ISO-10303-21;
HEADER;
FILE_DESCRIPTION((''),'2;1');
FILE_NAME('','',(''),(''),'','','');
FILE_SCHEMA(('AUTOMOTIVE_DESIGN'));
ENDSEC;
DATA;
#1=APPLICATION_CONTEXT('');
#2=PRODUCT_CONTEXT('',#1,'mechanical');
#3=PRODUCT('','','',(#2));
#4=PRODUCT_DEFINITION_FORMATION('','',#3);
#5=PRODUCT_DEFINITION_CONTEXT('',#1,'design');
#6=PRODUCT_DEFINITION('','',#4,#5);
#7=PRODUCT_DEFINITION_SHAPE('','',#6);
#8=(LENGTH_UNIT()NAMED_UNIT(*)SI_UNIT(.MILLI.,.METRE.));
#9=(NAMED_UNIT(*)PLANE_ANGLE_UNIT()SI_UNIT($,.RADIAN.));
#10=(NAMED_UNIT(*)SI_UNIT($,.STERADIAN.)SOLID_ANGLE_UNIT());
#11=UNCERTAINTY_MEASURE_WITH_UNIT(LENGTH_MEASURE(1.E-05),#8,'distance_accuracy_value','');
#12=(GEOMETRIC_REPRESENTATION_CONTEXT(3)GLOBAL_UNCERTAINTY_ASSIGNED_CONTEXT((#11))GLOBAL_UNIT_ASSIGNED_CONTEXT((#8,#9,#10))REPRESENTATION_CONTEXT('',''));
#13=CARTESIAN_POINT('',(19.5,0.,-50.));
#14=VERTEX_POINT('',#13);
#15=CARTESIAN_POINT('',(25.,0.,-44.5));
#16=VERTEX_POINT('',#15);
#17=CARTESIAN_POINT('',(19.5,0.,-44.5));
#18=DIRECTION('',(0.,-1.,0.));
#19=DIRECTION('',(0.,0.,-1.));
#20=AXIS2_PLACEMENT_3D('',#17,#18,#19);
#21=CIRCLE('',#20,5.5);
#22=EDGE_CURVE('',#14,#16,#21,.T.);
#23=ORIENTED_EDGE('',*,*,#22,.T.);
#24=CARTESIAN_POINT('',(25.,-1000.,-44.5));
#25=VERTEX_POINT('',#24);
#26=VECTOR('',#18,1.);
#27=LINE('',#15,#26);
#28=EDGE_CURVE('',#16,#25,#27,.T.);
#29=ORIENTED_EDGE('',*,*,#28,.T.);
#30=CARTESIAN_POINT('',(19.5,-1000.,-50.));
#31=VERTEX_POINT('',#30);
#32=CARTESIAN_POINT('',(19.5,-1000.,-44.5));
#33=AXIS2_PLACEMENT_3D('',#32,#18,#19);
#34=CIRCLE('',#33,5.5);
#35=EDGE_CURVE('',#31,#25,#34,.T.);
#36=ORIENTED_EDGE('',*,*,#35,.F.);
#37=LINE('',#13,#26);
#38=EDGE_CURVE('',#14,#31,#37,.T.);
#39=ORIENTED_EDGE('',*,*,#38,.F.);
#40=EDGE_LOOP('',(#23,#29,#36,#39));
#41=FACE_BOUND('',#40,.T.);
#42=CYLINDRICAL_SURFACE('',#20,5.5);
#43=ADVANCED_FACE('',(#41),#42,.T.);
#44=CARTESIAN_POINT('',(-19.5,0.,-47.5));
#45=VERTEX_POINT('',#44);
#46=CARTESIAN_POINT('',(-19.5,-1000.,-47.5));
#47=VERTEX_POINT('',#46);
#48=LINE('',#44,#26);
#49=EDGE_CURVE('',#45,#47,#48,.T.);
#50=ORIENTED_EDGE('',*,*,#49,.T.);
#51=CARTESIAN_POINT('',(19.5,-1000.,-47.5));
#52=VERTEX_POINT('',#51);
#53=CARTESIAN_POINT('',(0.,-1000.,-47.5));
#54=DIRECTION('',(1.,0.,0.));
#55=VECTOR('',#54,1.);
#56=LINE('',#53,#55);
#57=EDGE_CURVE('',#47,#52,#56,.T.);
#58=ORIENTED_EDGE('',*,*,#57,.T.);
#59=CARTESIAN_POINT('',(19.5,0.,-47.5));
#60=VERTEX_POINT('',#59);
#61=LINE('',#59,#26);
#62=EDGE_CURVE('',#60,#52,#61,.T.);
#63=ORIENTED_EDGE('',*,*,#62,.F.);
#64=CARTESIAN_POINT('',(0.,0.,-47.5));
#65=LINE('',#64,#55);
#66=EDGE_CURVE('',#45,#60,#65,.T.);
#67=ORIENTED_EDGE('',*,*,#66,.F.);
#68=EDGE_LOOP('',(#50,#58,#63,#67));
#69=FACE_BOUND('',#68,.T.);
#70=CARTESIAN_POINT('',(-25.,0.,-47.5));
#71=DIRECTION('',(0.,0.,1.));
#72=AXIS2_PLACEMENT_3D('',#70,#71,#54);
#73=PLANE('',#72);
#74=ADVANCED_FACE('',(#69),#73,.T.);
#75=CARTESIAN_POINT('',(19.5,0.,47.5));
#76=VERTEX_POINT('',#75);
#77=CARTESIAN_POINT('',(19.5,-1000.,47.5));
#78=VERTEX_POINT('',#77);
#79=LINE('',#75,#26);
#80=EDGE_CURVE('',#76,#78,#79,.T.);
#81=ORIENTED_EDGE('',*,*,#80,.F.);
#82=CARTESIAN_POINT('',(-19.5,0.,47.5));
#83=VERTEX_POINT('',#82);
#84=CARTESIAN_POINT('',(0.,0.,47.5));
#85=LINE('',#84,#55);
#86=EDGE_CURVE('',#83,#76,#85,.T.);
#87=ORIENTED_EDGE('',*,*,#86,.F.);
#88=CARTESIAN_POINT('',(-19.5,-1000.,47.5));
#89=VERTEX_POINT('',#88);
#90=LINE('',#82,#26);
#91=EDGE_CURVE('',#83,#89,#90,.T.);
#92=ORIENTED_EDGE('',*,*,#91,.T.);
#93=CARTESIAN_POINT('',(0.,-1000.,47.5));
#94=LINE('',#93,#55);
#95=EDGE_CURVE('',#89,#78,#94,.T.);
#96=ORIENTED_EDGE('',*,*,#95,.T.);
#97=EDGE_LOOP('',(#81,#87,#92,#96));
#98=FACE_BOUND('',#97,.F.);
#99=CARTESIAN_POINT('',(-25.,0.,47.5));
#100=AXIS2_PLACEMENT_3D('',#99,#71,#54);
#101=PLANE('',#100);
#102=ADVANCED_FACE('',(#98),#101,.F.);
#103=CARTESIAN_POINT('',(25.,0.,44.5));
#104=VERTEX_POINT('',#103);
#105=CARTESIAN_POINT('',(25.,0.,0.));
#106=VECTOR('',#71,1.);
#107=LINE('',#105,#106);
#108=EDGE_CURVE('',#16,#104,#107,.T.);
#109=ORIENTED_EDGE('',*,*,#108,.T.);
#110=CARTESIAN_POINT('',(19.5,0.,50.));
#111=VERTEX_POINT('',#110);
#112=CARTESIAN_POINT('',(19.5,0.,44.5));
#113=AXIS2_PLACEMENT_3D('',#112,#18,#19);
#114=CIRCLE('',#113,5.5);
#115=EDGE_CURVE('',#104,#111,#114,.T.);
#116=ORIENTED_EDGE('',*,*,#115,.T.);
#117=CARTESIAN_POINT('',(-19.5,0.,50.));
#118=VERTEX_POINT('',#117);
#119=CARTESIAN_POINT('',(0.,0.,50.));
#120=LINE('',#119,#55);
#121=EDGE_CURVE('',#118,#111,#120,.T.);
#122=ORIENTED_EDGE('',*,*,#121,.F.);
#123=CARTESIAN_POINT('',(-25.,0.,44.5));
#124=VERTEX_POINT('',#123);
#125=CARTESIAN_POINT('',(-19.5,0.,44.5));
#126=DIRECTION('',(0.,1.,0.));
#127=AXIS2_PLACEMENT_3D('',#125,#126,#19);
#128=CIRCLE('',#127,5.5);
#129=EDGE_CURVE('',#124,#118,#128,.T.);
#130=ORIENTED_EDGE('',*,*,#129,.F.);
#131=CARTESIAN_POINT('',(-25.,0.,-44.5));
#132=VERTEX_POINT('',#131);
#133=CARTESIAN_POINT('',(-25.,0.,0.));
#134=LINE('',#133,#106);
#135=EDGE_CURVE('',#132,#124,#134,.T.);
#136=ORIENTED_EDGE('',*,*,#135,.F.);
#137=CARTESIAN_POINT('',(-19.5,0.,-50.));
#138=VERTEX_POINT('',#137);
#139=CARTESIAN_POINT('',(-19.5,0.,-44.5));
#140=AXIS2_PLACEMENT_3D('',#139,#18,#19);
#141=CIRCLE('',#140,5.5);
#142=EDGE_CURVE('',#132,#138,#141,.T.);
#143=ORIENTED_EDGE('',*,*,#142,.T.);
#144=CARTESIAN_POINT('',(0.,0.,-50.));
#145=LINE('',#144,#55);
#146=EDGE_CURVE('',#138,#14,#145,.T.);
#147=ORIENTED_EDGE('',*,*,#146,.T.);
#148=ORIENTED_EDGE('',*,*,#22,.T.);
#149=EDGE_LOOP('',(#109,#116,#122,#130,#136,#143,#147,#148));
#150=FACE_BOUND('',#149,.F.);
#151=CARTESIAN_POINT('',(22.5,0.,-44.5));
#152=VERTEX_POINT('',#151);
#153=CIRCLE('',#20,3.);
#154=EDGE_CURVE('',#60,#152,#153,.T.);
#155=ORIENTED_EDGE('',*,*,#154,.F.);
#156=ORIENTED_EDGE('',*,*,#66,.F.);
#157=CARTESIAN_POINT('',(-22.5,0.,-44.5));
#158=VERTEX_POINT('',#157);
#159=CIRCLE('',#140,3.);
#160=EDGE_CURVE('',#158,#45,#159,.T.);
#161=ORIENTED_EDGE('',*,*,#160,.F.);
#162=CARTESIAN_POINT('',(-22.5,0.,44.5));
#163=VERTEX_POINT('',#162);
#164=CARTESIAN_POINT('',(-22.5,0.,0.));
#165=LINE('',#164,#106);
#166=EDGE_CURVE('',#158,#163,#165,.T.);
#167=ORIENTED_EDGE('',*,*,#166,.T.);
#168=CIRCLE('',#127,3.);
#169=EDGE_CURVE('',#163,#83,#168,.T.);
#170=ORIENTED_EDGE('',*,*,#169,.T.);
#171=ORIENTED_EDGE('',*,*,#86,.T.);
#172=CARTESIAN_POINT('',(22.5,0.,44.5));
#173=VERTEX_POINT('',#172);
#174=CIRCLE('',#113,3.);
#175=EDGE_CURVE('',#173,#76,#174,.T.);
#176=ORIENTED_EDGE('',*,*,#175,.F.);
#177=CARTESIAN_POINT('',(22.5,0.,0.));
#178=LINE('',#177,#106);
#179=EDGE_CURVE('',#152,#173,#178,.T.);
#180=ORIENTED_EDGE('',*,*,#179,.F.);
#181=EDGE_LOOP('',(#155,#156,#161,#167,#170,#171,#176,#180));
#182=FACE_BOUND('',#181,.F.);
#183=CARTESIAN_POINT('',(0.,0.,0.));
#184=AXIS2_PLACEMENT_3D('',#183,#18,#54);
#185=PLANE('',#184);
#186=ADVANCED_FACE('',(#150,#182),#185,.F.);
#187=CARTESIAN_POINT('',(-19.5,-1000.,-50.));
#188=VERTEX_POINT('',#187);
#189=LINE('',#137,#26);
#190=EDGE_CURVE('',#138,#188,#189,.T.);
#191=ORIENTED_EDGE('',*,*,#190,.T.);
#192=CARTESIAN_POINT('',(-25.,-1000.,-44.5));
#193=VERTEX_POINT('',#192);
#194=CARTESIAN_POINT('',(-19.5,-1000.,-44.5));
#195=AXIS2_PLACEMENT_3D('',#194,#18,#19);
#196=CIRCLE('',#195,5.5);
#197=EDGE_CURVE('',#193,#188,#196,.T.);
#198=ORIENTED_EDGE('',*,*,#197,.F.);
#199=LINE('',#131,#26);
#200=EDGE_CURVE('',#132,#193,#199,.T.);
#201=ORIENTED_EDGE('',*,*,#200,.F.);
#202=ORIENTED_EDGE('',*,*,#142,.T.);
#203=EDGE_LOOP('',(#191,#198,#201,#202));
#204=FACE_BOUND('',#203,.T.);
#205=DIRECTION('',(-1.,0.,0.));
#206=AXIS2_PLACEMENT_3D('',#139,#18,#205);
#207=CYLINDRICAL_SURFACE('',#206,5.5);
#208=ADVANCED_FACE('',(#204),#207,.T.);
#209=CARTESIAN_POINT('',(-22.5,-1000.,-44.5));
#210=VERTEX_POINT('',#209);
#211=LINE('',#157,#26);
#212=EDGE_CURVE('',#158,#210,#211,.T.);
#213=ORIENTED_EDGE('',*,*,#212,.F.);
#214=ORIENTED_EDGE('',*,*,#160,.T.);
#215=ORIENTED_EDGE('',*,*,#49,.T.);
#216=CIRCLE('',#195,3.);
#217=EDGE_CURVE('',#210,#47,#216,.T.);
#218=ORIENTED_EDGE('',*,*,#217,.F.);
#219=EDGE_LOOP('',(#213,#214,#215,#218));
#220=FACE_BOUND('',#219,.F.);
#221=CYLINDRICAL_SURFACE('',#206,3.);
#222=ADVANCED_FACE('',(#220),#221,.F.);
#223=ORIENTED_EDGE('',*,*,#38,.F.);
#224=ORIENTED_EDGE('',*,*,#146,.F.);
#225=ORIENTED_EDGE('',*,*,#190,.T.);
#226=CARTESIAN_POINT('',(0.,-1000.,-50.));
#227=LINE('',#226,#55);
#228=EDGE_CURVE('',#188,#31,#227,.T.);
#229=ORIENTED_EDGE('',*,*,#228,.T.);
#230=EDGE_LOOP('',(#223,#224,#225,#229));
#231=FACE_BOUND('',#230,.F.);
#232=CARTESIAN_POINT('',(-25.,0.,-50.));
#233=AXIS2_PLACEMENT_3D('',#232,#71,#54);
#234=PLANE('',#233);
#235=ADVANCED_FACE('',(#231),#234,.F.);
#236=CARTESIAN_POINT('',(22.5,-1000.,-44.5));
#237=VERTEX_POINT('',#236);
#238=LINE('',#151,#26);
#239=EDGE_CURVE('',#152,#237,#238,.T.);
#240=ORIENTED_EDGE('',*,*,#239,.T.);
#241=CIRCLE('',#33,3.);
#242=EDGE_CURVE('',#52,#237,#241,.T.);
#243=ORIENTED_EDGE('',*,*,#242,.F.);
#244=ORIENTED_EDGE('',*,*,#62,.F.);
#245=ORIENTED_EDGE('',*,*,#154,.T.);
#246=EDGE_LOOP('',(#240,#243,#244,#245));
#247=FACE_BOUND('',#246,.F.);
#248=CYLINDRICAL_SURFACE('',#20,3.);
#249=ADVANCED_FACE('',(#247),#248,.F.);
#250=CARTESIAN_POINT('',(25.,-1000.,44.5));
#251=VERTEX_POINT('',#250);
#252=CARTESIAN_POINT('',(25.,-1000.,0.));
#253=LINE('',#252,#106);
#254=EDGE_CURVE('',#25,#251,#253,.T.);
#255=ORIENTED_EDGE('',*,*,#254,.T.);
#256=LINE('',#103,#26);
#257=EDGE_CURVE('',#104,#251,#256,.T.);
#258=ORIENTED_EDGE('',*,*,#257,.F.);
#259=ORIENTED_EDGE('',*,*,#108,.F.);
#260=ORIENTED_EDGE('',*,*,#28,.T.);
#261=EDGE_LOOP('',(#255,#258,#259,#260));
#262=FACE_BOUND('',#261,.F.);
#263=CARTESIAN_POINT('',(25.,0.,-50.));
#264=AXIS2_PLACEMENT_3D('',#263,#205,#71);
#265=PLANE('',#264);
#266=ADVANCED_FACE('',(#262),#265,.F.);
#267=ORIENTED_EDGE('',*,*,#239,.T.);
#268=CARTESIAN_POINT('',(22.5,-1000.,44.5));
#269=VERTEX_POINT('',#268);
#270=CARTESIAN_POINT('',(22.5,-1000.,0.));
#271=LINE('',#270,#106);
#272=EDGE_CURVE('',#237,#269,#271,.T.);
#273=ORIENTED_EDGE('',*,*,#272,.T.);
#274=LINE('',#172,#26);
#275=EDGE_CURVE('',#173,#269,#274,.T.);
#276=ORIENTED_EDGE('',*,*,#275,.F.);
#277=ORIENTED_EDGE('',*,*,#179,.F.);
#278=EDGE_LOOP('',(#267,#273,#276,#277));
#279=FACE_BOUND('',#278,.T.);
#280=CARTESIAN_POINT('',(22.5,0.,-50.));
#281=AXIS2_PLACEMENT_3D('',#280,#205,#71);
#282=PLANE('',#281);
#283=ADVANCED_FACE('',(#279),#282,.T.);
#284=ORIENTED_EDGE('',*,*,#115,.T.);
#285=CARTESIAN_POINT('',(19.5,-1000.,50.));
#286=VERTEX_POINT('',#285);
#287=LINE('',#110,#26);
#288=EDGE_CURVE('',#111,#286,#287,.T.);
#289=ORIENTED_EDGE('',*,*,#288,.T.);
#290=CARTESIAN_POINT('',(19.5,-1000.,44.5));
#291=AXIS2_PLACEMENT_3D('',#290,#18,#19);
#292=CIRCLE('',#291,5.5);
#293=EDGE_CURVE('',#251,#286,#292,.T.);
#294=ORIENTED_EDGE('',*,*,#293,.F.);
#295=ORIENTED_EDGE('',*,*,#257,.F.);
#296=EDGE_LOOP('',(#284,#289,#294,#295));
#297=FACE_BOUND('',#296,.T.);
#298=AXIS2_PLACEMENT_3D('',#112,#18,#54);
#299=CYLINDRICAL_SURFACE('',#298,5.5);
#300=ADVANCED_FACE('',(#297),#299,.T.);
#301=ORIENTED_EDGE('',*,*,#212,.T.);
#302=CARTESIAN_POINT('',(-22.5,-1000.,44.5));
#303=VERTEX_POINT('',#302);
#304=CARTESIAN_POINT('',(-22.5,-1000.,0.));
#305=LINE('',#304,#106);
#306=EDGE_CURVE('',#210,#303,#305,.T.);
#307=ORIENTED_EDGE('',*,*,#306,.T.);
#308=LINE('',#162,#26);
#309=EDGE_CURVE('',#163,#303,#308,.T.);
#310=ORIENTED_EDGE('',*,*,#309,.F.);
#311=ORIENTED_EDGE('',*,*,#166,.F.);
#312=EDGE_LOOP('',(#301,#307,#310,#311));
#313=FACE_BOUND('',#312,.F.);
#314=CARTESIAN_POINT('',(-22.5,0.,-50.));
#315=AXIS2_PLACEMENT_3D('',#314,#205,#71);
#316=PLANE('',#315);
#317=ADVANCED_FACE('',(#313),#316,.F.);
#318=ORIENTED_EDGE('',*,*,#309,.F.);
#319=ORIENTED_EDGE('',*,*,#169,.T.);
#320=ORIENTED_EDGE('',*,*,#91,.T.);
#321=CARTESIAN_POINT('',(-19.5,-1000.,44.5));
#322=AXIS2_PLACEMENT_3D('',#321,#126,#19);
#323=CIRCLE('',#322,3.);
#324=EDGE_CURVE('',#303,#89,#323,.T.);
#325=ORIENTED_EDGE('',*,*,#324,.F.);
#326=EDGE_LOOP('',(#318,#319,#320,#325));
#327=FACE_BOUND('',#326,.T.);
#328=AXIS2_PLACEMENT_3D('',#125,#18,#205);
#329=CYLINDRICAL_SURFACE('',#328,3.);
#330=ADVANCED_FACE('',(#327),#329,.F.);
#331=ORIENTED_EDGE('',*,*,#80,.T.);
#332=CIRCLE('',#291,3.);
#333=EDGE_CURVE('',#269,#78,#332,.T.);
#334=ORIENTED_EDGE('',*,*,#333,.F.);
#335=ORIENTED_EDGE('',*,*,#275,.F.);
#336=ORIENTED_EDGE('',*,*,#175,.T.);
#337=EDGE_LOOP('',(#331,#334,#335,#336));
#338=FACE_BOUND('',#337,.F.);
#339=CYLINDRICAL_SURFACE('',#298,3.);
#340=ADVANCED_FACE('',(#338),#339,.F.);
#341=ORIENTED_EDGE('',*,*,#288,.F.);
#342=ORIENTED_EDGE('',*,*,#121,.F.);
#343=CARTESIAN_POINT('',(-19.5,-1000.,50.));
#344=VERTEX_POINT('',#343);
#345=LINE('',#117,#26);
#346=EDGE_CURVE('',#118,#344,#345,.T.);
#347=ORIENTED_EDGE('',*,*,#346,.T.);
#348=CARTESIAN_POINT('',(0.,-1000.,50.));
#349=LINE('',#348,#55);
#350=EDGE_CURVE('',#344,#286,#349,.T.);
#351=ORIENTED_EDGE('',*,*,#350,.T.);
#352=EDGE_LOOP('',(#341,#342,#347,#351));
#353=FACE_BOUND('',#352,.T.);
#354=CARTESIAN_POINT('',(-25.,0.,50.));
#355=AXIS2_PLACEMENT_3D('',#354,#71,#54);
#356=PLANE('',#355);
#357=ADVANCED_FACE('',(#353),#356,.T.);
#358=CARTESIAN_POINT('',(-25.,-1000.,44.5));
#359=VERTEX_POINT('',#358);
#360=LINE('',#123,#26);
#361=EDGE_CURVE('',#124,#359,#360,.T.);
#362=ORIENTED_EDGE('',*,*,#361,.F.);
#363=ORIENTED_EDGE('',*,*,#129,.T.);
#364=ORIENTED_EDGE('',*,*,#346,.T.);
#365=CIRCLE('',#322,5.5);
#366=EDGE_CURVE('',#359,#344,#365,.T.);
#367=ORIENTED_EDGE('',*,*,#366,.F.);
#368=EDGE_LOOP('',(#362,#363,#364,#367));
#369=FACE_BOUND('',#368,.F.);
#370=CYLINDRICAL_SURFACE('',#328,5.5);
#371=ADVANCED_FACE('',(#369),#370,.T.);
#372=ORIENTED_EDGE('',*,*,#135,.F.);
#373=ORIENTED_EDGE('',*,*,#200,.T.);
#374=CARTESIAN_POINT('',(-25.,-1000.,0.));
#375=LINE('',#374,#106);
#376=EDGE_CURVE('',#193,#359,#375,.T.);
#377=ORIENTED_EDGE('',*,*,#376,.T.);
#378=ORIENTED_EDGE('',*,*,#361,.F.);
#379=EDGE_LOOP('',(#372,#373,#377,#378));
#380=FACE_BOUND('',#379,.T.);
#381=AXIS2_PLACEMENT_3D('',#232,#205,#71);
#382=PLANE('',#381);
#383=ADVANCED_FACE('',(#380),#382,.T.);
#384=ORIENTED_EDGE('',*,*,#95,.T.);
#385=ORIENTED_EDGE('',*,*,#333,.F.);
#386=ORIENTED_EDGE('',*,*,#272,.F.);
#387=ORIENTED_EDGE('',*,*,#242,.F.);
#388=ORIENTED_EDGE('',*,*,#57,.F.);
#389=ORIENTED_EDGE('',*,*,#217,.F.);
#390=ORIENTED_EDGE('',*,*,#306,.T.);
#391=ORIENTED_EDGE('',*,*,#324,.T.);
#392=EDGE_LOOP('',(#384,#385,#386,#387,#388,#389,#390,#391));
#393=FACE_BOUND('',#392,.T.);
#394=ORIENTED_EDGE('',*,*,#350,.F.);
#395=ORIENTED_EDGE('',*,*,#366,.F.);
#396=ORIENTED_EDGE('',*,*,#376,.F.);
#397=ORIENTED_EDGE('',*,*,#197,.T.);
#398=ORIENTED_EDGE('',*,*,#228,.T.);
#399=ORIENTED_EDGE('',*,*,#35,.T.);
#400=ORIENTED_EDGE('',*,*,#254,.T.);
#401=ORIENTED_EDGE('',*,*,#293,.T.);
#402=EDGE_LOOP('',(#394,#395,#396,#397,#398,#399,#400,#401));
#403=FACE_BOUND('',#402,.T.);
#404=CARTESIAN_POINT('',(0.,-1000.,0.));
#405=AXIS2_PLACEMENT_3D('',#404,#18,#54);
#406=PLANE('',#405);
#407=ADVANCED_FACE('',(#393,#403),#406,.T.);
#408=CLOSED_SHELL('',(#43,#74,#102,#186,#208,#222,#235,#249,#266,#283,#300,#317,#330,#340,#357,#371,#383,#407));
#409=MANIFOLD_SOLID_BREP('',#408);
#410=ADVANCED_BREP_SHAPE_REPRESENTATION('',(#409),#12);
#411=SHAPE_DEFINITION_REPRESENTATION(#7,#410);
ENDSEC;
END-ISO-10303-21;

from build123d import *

# Parameters (mm, degrees)
F0_W     = 50
F0_H     = 100
F1_DEPTH = 1000
F2_R     = 5.5
F3_T     = -2.5


with BuildPart() as f1:
    # F0 (on Front) → F1 (new body)
    with BuildSketch(Plane.XZ):
        Rectangle(F0_W, F0_H)
    extrude(amount=F1_DEPTH)

    # F2
    f2_edges = [f1.edges().sort_by_distance(p)[0] for p in [
        (-25, -500, 50),
        (25, -500, 50),
        (25, -500, -50),
        (-25, -500, -50),
    ]]
    fillet(f2_edges, radius=F2_R)

    # F3
    f3_openings = [f1.faces().sort_by_distance(p)[0] for p in [
        (0, -1000, 0),
        (0, 0, 0),
    ]]
    offset(amount=F3_T, openings=f3_openings)


solid = f1.part
